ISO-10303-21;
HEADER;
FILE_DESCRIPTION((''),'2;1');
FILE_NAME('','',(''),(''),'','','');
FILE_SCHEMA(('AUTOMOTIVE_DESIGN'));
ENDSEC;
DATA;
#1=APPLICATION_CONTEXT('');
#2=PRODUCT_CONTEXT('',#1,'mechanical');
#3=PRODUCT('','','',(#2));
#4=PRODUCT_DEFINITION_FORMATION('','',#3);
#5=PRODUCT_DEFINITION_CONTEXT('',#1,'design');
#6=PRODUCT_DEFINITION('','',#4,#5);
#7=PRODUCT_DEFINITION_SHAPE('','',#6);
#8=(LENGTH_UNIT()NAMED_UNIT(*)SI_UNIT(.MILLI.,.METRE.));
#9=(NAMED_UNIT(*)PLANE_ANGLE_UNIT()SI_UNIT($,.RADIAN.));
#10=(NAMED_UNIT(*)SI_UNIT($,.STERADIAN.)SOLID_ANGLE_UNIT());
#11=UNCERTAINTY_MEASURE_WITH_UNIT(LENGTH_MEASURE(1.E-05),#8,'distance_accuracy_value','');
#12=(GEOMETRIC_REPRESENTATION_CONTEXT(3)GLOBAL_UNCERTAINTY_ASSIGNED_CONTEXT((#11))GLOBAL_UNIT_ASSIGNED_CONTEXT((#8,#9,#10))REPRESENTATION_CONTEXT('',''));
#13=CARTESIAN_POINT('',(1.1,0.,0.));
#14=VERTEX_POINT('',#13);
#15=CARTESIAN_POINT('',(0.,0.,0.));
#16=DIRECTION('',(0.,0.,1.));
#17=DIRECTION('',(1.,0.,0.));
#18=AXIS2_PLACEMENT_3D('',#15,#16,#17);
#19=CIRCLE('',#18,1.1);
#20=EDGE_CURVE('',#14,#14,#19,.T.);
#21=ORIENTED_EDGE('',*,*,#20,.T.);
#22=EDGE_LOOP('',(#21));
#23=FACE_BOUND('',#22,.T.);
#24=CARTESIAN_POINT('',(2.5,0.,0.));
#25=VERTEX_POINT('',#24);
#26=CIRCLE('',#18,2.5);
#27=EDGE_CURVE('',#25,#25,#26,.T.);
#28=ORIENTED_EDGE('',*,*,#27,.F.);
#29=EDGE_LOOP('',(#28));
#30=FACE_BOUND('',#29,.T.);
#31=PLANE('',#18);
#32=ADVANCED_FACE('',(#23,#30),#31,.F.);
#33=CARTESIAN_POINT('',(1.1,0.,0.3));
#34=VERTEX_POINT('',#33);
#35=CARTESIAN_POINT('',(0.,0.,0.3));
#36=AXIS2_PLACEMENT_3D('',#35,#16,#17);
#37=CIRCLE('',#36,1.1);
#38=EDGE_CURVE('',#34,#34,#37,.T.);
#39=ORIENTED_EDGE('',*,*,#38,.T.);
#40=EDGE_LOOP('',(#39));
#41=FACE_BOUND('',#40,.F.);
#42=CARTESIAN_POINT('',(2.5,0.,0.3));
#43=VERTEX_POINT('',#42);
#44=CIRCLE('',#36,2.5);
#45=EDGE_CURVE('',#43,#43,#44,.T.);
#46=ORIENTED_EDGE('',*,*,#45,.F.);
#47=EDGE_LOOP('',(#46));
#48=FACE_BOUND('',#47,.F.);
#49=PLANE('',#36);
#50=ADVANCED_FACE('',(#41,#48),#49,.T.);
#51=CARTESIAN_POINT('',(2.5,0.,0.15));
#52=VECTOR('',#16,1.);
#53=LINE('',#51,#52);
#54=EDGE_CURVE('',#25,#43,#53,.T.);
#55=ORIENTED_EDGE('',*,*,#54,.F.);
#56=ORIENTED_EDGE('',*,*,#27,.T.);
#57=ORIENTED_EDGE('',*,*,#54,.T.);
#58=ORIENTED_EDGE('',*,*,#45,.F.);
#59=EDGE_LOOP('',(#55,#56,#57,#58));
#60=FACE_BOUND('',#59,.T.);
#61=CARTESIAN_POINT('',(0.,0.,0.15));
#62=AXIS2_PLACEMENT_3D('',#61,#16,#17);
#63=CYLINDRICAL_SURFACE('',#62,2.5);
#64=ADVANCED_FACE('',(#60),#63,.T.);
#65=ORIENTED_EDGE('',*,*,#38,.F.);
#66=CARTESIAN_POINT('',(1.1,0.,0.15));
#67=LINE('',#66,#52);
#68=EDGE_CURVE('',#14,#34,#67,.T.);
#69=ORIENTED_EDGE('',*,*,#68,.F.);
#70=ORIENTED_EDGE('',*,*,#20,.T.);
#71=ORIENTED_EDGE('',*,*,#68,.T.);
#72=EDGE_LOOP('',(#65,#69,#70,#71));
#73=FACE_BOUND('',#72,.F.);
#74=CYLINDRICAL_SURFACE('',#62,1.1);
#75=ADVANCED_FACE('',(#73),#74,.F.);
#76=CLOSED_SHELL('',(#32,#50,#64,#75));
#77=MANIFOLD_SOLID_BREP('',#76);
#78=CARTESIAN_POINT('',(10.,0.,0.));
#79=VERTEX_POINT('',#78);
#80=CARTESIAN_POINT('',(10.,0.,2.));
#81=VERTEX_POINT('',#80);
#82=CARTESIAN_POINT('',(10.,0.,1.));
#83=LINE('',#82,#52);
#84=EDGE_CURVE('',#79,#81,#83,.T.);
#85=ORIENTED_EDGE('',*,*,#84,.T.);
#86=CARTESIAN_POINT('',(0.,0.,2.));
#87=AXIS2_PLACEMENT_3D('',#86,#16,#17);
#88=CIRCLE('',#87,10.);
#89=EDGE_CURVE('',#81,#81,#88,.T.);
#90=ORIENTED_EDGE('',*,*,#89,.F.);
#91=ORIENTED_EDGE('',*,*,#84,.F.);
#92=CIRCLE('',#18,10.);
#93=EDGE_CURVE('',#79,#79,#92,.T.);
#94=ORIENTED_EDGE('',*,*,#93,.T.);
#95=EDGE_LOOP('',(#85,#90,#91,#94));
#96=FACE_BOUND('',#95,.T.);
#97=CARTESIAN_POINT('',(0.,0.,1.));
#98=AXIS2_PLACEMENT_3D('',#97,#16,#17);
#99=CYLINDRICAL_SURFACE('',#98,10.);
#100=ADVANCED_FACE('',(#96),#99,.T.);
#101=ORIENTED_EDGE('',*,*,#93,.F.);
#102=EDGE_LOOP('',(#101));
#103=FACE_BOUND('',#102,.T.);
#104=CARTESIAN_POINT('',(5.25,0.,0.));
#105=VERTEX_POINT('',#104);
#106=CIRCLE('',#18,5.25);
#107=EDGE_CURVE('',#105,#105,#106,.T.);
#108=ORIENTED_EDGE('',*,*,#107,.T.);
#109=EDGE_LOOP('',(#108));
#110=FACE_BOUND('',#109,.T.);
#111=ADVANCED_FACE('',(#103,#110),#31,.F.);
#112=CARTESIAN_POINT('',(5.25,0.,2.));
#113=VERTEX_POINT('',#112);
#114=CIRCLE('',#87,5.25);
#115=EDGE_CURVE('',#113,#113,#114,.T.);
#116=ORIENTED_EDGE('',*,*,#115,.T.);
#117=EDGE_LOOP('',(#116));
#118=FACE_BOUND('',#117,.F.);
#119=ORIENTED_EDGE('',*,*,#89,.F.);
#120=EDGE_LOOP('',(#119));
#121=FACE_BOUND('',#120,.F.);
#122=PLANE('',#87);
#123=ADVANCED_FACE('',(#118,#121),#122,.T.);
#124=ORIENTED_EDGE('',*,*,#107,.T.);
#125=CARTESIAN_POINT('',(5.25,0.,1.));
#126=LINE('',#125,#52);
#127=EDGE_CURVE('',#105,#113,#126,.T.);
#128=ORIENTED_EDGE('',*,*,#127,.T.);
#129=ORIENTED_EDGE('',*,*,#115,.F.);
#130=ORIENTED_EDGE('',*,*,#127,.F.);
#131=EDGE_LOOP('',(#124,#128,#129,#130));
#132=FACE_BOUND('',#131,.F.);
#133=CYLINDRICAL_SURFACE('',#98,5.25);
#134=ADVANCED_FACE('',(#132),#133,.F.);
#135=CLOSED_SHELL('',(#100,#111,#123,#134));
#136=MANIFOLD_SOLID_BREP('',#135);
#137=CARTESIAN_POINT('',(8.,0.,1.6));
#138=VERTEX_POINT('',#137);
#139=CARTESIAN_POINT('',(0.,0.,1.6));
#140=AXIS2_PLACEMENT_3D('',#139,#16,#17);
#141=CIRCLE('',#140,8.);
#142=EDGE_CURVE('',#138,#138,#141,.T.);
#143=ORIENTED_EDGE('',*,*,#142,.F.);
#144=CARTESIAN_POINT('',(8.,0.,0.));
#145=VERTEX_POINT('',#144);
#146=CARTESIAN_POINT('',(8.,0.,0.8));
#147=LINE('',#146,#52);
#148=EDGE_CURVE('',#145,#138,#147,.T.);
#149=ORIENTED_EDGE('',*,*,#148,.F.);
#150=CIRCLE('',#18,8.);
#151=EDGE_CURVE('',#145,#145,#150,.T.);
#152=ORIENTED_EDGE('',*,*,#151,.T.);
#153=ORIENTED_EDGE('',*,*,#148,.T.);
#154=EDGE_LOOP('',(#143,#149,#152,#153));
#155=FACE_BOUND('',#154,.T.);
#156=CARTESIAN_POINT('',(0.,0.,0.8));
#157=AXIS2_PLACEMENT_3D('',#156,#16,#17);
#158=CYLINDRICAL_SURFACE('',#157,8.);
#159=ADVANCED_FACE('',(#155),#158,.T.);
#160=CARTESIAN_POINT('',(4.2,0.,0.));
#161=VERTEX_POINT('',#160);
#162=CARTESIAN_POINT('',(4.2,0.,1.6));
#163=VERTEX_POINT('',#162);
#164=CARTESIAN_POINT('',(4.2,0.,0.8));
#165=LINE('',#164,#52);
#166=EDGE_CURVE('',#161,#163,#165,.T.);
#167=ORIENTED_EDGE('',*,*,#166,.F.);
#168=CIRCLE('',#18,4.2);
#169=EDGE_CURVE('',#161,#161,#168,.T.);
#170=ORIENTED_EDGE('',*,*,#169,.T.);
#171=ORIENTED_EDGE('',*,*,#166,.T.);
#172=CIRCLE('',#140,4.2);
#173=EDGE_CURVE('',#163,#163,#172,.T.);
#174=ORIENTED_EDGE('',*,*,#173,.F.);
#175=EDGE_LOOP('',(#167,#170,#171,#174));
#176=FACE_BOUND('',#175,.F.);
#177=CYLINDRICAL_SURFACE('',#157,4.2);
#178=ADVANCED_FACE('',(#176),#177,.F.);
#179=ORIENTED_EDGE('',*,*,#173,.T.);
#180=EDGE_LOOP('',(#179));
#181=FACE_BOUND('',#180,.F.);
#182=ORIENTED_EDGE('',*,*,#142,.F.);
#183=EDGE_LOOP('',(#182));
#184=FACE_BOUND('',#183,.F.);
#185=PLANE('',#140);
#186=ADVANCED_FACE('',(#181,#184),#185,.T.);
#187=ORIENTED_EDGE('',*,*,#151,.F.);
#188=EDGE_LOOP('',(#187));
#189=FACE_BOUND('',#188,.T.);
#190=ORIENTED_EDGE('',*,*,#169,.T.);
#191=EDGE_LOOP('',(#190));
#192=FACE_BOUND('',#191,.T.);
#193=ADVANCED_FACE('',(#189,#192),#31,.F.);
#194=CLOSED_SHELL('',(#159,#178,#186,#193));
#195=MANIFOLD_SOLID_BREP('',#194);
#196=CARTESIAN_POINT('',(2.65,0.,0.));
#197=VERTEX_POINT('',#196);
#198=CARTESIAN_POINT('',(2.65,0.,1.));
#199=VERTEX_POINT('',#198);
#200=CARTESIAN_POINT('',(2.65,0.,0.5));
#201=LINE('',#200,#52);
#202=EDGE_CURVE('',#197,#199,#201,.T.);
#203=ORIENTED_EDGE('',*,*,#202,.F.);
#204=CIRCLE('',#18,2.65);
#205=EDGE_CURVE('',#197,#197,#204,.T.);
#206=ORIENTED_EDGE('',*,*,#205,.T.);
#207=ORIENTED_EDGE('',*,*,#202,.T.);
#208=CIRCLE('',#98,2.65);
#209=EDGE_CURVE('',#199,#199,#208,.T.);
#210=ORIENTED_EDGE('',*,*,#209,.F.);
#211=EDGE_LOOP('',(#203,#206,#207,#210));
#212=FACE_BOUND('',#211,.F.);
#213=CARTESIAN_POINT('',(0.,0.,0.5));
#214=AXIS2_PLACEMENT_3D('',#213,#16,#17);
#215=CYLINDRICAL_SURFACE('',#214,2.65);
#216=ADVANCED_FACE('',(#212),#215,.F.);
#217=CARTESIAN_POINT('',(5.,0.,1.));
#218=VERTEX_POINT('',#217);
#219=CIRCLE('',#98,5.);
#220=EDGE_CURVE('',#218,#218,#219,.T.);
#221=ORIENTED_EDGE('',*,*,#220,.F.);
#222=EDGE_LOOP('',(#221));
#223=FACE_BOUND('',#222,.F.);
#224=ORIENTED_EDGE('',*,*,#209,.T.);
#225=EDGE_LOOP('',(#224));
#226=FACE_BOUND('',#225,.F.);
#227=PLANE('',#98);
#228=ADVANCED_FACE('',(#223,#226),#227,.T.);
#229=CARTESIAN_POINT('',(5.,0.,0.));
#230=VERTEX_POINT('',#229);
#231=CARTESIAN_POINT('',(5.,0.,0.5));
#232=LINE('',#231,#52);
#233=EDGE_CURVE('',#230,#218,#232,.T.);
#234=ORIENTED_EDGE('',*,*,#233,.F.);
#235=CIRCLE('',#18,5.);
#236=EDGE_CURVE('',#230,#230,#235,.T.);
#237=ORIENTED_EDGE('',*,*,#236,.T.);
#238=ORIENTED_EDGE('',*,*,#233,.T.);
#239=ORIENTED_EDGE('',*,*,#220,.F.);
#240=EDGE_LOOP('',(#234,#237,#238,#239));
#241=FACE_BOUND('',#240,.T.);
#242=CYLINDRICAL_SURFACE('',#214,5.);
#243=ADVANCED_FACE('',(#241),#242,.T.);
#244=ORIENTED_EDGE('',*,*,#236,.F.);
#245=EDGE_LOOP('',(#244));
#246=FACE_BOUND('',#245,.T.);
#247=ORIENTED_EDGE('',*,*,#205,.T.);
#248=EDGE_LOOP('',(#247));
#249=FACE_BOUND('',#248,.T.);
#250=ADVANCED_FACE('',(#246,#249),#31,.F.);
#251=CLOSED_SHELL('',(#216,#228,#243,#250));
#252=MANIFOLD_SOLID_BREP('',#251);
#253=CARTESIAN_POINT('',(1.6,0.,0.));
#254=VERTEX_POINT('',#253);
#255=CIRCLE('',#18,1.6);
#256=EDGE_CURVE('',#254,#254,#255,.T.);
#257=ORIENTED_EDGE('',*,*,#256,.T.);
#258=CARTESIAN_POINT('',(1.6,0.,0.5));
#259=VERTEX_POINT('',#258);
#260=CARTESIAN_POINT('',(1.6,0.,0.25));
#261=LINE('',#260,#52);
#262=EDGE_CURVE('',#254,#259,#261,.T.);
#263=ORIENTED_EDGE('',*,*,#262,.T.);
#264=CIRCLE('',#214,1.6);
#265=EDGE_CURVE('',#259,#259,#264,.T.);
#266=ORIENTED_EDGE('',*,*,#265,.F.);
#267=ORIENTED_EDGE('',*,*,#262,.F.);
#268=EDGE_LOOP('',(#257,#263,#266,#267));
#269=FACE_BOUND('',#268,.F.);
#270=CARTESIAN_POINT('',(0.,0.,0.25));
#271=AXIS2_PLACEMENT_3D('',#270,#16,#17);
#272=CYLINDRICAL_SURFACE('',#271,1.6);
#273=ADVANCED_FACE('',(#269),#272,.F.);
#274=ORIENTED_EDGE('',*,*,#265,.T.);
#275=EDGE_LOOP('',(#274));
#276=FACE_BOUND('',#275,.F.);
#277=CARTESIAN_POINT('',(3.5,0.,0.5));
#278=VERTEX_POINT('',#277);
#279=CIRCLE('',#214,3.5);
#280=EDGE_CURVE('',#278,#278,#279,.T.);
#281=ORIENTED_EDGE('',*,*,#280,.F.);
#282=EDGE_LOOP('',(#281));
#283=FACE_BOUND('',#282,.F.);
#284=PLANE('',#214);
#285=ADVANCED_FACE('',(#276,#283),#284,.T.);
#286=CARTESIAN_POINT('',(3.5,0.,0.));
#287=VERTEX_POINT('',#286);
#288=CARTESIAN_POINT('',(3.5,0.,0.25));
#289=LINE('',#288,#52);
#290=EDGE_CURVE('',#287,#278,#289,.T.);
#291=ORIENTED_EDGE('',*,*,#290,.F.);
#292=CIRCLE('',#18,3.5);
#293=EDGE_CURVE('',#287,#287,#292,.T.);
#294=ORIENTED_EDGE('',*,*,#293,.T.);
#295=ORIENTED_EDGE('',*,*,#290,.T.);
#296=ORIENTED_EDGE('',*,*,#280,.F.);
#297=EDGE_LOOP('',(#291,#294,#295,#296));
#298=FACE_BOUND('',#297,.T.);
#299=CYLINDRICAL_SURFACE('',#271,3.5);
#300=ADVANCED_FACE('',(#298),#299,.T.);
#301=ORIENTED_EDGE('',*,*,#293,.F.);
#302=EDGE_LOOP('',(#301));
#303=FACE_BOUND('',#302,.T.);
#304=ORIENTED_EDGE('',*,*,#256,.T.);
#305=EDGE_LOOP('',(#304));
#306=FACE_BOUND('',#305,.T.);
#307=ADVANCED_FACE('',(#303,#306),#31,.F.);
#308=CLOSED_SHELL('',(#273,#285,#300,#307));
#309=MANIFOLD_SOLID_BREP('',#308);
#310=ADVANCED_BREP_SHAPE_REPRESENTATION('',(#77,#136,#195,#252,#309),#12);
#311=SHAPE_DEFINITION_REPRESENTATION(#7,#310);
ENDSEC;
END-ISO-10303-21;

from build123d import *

# Parameters (mm, degrees)
F0_W = 1.9
F0_H = 0.5
F2_W = 2.35
F2_H = 1
F4_W = 3.8
F4_H = 1.6
F6_W = 4.75
F6_H = 2
F8_W = 1.4
F8_H = 0.3


with BuildPart() as f1:
    # F0 (on Front) → F1 (revolve)
    with BuildSketch(Plane.XZ):
        with Locations((2.55, 0.25)):
            Rectangle(F0_W, F0_H)
    revolve(axis=Axis((0, 0, 1.23983), (0, 0, 1)))


with BuildPart() as f3:
    # F2 (on Front) → F3 (revolve)
    with BuildSketch(Plane.XZ):
        with Locations((3.825, 0.5)):
            Rectangle(F2_W, F2_H)
    revolve(axis=Axis((0, 0, 1.906276), (0, 0, 1)))


with BuildPart() as f5:
    # F4 (on Front) → F5 (revolve)
    with BuildSketch(Plane.XZ):
        with Locations((6.1, 0.8)):
            Rectangle(F4_W, F4_H)
    revolve(axis=Axis((0, 0, 1.491251), (0, 0, 1)))


with BuildPart() as f7:
    # F6 (on Front) → F7 (revolve)
    with BuildSketch(Plane.XZ):
        with Locations((7.625, 1)):
            Rectangle(F6_W, F6_H)
    revolve(axis=Axis((0, 0, 6.946455), (0, 0, 1)))


with BuildPart() as f9:
    # F8 (on Front) → F9 (revolve)
    with BuildSketch(Plane.XZ):
        with Locations((1.8, 0.15)):
            Rectangle(F8_W, F8_H)
    revolve(axis=Axis((0, 0, 0.487175), (0, 0, 1)))


solid = Compound([f1.part, f3.part, f5.part, f7.part, f9.part])
